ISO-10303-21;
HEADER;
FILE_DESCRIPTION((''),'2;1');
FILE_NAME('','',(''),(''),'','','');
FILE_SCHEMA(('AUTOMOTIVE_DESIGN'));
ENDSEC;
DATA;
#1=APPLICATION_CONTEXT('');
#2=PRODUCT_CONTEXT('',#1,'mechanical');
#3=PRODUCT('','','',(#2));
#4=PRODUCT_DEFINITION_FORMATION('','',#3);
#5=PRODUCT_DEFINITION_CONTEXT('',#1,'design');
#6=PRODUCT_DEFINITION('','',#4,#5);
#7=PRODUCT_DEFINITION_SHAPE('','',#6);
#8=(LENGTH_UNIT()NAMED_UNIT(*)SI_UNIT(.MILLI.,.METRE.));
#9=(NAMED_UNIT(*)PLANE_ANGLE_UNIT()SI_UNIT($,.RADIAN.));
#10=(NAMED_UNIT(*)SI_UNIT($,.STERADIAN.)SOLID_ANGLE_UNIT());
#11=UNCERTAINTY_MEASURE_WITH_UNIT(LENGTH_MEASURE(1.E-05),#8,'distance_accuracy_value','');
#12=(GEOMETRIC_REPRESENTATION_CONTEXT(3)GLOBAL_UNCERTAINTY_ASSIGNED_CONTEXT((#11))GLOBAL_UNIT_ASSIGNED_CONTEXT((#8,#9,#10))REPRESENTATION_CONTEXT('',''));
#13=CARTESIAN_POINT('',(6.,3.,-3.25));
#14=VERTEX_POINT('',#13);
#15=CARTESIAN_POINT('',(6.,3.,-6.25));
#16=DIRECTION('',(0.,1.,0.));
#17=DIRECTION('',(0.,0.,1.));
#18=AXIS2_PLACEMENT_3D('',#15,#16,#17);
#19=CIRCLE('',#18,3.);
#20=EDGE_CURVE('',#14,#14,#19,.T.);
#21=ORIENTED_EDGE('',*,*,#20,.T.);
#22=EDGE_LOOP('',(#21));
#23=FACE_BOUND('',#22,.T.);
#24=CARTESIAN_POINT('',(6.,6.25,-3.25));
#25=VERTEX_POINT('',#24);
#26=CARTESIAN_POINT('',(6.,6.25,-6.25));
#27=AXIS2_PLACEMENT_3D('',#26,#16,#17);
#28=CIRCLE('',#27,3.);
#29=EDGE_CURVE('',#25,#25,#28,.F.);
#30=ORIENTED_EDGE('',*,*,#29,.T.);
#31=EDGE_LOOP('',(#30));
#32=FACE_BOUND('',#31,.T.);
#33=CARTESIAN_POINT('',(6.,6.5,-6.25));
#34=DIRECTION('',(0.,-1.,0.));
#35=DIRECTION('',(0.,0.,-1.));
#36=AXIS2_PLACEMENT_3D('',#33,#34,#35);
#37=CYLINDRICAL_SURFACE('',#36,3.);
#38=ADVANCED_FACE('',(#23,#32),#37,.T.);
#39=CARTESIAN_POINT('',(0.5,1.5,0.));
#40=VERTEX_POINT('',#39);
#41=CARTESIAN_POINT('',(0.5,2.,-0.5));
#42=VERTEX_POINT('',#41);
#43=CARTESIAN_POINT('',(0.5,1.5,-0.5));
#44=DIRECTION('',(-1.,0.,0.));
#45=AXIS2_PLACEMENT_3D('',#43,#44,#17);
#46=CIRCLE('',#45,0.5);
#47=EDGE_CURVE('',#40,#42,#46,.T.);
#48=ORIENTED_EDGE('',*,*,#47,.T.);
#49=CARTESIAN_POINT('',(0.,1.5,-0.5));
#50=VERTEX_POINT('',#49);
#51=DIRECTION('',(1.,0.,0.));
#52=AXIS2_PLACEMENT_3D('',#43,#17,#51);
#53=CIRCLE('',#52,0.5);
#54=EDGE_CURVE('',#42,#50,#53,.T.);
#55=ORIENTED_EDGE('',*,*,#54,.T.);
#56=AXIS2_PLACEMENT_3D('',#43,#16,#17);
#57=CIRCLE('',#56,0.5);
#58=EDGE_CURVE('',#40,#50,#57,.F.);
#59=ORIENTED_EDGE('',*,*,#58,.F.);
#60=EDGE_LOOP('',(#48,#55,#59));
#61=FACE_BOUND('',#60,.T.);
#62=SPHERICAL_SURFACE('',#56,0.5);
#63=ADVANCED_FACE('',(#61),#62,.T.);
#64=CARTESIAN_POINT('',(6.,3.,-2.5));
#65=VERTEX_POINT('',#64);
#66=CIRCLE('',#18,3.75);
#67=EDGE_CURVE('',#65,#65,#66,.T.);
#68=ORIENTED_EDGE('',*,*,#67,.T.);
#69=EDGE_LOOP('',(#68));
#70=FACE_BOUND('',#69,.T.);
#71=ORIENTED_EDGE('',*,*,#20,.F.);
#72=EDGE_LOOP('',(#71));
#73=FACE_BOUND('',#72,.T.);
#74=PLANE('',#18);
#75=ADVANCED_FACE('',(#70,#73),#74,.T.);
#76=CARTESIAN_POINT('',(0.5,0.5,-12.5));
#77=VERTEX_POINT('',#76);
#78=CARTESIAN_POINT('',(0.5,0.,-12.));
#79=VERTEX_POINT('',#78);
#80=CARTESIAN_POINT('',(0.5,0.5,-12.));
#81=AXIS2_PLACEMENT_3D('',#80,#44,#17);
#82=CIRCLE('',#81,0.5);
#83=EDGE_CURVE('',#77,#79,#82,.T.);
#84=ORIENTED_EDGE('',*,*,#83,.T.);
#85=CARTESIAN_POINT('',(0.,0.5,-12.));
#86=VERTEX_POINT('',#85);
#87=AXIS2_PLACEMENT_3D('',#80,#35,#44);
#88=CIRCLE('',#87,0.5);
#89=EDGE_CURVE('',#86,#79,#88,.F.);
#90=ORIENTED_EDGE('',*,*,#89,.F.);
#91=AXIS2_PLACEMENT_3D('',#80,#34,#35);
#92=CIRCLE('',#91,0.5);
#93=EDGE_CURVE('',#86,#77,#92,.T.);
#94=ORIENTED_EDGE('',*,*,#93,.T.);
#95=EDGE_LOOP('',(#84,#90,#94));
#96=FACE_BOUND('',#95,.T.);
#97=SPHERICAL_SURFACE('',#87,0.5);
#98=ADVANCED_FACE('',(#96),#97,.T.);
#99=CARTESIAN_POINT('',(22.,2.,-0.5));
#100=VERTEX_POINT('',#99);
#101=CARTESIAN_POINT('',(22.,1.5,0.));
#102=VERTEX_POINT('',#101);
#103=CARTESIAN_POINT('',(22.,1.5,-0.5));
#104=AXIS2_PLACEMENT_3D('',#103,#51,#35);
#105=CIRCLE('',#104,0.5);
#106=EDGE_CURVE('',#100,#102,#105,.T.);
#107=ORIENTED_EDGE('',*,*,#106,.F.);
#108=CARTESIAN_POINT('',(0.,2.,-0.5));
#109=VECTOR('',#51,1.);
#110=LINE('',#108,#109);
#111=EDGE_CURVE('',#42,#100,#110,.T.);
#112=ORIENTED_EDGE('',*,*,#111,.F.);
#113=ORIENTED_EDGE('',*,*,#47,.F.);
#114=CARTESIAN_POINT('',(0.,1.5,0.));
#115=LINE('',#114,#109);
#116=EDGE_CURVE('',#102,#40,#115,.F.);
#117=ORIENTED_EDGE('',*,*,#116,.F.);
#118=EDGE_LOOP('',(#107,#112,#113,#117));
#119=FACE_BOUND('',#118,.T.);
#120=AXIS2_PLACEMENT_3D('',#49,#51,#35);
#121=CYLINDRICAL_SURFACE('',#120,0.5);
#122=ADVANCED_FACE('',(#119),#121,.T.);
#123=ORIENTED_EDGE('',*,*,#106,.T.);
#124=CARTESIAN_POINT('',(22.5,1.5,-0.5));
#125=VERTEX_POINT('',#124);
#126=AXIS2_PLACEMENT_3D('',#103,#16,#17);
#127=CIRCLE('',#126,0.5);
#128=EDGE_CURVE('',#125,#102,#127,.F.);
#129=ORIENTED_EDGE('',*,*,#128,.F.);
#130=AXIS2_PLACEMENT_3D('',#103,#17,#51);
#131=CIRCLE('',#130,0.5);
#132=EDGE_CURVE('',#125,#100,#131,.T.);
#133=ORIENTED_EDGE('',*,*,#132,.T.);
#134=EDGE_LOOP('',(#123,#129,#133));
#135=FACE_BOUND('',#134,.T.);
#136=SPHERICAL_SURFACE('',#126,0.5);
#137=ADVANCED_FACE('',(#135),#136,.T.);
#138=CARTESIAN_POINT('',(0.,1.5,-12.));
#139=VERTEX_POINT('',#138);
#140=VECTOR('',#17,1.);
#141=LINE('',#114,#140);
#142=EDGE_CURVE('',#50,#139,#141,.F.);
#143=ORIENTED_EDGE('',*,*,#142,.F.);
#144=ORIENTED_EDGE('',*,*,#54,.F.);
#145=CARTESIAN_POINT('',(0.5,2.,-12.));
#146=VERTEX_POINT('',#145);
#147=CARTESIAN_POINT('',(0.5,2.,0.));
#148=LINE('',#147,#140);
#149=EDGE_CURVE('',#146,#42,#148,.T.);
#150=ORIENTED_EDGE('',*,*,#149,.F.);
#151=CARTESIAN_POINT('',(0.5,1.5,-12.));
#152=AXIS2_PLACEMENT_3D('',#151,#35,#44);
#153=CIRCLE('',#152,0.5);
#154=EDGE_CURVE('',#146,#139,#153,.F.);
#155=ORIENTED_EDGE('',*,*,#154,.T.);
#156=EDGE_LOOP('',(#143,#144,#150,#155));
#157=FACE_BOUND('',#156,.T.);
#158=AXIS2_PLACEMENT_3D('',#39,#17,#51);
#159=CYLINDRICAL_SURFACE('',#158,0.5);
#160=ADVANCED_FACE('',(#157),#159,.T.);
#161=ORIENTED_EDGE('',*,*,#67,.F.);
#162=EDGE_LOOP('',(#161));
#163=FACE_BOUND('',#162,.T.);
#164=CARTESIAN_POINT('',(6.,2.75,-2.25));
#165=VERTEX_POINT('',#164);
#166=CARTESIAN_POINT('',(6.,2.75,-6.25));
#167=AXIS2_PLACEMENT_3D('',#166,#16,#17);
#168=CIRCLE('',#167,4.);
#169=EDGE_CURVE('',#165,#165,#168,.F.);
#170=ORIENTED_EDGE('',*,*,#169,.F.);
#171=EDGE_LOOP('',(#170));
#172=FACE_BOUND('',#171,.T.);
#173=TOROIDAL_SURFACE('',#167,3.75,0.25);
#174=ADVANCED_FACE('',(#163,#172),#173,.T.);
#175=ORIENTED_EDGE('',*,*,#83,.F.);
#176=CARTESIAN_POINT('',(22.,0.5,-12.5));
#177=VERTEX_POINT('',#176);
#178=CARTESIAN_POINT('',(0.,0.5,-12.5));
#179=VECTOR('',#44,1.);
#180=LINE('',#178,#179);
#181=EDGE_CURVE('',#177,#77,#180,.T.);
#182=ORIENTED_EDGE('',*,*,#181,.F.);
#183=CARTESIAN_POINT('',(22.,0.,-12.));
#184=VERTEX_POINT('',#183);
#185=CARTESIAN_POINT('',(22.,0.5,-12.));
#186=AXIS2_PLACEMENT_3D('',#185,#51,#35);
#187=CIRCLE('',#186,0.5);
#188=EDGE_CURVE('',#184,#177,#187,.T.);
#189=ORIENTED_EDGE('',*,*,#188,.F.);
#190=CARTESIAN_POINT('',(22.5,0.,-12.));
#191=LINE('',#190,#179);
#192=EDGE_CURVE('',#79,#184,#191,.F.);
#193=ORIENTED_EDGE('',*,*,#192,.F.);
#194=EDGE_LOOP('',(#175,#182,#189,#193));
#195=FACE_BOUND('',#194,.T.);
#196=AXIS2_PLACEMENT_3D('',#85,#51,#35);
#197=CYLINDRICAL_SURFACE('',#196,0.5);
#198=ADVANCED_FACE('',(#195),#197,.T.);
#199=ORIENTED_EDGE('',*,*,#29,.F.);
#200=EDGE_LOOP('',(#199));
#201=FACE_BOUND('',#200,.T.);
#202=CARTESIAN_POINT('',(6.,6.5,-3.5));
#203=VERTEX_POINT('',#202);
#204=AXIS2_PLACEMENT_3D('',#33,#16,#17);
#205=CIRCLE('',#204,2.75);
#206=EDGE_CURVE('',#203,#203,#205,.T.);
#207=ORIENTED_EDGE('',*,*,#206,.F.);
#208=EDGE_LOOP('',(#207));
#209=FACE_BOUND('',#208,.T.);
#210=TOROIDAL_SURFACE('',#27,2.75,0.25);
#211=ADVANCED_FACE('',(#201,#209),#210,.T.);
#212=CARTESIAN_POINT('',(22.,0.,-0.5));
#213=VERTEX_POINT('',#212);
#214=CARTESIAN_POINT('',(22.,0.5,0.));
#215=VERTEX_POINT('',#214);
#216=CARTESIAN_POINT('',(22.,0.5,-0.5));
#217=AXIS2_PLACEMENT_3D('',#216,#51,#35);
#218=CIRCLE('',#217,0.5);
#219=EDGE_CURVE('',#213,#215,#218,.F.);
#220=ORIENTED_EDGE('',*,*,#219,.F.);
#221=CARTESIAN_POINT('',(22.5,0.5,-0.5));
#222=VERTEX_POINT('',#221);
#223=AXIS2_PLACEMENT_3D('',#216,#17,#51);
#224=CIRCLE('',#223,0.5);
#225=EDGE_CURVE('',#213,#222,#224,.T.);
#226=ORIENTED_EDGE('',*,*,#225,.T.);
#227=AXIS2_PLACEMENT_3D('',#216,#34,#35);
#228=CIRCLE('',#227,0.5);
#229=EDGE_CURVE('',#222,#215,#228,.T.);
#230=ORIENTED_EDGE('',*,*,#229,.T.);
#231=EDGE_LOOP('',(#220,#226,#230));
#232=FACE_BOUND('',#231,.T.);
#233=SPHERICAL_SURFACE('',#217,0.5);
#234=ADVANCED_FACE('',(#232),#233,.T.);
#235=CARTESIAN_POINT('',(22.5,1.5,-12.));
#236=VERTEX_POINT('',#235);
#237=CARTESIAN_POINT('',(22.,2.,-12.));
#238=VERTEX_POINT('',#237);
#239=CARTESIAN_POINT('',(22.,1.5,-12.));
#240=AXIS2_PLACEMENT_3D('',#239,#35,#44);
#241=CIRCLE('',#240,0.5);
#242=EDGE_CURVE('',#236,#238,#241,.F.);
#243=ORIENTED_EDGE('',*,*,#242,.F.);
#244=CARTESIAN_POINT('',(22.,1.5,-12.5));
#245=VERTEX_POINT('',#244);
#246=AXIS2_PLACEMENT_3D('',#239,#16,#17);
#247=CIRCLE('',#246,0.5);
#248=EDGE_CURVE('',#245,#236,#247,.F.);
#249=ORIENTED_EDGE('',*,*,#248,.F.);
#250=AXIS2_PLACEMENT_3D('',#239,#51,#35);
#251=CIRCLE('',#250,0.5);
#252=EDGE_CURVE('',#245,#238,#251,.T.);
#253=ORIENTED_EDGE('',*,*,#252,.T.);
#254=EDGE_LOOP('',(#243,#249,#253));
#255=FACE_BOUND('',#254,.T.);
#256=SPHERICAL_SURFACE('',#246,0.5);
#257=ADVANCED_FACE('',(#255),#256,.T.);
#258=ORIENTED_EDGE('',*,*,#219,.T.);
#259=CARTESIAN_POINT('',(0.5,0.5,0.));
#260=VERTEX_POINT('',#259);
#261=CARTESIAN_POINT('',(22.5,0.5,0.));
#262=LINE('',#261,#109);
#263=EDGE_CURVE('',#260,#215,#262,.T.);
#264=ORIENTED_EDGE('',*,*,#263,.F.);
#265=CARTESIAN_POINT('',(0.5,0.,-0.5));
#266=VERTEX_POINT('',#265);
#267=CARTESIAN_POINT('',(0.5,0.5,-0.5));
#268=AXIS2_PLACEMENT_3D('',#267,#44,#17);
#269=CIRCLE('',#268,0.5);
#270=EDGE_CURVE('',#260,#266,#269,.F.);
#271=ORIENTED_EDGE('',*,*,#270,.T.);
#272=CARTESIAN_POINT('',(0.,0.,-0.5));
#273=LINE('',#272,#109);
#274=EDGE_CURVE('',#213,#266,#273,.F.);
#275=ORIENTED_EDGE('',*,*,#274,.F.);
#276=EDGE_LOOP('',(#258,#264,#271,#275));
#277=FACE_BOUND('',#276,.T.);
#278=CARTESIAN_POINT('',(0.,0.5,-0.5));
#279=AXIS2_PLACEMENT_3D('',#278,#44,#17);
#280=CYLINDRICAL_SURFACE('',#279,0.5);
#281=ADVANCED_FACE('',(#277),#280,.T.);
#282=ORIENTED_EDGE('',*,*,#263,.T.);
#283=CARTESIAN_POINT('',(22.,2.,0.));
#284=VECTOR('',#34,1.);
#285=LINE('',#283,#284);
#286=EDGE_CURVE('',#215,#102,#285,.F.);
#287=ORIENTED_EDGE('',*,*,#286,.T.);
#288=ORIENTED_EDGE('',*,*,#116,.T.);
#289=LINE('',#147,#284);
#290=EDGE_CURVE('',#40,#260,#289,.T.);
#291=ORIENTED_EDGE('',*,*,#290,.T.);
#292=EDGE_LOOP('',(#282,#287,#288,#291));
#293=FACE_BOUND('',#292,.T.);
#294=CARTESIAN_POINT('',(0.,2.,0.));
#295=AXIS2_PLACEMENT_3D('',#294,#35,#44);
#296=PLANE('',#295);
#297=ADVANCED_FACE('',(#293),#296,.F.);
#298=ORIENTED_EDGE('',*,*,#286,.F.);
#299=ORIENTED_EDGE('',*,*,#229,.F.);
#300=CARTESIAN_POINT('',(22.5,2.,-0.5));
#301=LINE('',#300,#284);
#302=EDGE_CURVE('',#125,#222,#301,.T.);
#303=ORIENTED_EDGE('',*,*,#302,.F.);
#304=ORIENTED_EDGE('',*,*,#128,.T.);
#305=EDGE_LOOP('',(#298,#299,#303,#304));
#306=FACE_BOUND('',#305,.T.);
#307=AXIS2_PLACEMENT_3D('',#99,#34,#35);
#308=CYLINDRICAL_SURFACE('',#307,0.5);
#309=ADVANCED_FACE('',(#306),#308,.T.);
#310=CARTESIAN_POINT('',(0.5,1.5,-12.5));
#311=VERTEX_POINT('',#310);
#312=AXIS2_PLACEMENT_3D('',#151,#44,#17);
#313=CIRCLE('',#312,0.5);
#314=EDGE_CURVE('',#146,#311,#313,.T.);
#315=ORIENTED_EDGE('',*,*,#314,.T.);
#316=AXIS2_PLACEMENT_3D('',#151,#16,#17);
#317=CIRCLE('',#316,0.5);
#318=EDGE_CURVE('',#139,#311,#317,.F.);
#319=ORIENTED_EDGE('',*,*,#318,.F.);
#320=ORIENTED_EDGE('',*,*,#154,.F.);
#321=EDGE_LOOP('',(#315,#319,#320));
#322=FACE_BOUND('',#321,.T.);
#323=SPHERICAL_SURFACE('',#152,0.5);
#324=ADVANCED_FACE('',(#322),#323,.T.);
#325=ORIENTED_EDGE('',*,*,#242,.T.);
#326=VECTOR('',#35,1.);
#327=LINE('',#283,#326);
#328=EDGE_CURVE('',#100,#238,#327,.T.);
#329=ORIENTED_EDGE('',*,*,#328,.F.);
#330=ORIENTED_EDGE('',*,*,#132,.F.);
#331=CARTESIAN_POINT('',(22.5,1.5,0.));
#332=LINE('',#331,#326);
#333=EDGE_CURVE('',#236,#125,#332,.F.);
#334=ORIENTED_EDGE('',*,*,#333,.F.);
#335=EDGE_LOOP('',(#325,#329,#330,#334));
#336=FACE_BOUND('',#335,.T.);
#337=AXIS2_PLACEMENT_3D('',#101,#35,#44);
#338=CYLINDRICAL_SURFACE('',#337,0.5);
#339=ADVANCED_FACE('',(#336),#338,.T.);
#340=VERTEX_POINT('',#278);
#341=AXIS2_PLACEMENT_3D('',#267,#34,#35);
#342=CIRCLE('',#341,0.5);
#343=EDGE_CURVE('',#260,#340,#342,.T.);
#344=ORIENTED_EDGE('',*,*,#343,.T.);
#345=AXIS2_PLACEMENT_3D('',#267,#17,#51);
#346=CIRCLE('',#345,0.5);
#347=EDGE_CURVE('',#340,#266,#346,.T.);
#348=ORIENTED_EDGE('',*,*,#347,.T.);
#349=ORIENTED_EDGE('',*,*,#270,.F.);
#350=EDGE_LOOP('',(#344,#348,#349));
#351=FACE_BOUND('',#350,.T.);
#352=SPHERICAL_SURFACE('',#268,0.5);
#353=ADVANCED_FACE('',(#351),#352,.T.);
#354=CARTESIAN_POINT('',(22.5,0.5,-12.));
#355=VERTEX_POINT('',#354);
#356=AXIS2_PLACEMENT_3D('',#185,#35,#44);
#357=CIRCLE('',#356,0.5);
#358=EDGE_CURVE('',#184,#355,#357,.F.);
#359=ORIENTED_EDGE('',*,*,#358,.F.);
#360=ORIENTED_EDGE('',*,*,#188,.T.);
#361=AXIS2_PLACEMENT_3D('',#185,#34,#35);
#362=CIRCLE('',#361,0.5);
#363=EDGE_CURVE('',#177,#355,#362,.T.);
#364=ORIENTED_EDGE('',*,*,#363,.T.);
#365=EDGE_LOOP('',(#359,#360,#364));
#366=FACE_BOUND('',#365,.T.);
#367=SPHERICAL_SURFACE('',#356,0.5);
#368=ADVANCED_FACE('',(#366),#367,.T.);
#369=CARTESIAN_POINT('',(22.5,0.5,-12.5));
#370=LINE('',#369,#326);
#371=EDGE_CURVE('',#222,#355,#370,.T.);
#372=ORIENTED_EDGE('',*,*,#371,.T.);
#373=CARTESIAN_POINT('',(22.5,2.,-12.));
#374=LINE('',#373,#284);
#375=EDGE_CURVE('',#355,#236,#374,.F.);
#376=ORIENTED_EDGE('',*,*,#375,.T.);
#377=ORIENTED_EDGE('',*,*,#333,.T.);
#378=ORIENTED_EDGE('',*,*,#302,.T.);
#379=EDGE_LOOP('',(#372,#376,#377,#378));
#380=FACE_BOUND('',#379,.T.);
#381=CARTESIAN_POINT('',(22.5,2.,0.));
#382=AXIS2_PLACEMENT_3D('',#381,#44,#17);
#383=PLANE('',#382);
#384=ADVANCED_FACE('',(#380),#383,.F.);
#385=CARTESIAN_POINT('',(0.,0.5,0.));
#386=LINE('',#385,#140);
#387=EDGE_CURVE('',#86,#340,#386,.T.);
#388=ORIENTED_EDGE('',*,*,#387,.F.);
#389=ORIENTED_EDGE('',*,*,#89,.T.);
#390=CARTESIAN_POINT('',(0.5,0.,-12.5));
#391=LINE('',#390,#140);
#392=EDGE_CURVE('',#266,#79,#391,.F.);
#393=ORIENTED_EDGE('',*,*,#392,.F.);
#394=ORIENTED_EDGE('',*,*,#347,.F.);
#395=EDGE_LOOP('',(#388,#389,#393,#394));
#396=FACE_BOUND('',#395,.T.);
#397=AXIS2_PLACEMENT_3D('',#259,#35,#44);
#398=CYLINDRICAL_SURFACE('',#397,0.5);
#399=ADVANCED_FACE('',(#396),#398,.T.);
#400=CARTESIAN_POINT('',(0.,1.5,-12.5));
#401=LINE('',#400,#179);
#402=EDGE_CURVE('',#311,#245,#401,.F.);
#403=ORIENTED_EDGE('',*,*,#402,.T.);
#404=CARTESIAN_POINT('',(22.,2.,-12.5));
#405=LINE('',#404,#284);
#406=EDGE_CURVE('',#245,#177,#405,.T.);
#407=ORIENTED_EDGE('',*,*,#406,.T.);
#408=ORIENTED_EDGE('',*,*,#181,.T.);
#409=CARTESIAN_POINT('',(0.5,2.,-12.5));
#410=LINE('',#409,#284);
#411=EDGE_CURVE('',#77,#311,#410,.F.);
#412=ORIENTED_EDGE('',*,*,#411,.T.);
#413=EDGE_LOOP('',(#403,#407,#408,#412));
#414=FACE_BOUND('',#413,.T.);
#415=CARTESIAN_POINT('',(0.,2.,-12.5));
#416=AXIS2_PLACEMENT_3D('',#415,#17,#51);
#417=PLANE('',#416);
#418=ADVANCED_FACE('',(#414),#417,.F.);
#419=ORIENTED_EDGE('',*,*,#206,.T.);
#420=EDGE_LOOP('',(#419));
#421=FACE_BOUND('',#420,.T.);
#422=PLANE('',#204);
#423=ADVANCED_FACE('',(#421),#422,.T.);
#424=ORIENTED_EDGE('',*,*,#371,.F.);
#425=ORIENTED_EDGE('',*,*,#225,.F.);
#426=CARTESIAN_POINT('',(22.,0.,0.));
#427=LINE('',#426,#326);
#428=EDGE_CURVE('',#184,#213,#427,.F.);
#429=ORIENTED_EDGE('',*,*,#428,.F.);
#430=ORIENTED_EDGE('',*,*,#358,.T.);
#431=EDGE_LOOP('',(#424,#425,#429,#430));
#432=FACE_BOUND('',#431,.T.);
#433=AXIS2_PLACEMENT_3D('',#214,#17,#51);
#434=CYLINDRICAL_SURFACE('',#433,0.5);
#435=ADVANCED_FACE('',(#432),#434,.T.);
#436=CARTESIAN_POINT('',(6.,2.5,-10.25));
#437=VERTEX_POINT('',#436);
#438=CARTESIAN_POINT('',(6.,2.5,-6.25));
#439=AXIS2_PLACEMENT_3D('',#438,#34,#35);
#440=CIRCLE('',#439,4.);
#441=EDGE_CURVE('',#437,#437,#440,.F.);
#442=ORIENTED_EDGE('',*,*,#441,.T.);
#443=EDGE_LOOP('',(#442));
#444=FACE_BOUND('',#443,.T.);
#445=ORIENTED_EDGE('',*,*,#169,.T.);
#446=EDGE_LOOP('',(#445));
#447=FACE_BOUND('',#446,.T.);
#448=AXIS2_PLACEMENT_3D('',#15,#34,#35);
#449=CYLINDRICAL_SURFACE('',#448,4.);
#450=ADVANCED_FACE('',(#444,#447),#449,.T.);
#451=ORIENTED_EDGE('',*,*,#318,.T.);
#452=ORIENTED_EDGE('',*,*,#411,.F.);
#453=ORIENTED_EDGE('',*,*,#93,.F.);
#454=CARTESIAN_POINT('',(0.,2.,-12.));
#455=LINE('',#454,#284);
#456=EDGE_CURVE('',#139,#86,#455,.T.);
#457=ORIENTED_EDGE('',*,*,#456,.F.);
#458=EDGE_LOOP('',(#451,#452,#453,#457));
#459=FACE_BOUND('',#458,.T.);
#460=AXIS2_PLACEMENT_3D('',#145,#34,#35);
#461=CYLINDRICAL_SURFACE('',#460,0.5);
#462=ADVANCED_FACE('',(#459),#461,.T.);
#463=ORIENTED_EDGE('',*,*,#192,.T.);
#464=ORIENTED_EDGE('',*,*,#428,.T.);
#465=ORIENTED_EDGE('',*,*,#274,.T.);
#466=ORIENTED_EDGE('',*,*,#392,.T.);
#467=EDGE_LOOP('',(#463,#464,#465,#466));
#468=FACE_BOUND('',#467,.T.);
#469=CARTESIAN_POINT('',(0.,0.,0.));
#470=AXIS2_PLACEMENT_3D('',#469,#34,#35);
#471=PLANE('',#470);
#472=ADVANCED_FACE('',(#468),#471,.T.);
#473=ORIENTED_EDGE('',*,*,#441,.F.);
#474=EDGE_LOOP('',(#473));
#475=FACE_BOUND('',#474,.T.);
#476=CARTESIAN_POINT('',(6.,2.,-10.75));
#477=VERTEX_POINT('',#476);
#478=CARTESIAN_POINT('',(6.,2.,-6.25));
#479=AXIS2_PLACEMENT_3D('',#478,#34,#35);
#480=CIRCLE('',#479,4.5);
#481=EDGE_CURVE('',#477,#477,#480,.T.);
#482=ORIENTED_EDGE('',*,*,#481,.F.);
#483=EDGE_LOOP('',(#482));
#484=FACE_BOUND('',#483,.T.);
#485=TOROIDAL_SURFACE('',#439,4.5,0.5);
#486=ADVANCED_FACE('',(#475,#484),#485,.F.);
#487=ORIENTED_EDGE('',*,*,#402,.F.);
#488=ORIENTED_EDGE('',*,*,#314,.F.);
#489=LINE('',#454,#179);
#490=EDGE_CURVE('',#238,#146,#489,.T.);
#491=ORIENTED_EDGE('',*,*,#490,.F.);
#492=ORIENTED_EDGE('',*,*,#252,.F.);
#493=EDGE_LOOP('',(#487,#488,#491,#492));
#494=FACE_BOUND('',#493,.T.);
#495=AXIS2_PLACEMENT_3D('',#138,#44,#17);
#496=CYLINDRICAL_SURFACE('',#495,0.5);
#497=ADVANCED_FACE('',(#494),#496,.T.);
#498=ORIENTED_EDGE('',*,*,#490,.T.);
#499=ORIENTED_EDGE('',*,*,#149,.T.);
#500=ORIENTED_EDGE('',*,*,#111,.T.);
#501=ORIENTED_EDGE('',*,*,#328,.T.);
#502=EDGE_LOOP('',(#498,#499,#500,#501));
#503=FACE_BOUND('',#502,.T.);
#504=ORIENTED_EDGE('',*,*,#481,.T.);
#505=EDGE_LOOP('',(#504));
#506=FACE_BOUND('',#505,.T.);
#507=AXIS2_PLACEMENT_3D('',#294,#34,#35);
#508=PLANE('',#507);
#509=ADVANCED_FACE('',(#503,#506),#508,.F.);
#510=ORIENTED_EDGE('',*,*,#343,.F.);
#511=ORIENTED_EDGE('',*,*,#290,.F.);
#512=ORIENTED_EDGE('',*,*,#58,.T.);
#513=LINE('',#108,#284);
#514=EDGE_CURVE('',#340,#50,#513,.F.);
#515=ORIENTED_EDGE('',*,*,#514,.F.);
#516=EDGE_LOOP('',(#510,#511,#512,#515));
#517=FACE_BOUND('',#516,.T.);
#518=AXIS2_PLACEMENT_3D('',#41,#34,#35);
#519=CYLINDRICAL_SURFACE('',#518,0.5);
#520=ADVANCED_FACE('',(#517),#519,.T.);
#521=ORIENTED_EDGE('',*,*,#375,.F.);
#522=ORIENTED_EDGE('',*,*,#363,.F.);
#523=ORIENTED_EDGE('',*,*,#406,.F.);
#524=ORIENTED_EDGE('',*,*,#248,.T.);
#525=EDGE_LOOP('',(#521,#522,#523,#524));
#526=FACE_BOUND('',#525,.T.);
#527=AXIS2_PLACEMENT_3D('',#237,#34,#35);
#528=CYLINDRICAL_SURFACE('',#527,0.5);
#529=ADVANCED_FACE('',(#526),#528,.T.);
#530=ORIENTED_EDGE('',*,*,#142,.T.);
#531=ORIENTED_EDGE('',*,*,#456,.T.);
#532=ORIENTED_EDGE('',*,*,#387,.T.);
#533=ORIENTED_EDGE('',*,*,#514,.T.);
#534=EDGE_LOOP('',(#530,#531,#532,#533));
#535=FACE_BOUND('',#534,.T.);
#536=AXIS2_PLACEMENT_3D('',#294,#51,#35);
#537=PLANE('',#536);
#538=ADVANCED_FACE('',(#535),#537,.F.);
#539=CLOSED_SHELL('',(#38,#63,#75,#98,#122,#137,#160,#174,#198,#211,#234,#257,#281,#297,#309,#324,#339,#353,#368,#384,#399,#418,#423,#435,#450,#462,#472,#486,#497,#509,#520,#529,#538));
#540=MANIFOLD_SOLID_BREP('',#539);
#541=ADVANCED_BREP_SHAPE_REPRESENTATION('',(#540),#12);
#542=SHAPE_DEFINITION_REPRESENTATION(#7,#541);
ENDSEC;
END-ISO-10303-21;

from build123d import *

# Parameters (mm, degrees)
SKETCH_1_W      = 22.5
SKETCH_1_H      = 12.5
EXTRUDE_1_DEPTH = 2
SKETCH_2_R      = 4
EXTRUDE_2_DEPTH = 1
SKETCH_3_R      = 3
EXTRUDE_3_DEPTH = 3.5
FILLET_1_R      = 0.5
FILLET_2_R      = 0.25


with BuildPart() as part:
    # 草图1 → 凸台-拉伸1 (new body)
    with BuildSketch(Plane(origin=(0, 0, 0), x_dir=(1, 0, 0), z_dir=(0, 1, 0))):
        with Locations((11.25, 6.25)):
            Rectangle(SKETCH_1_W, SKETCH_1_H)
    extrude(amount=EXTRUDE_1_DEPTH)

    # 草图2 → 凸台-拉伸2 (add)
    with BuildSketch(Plane(origin=(0, 2, 0), x_dir=(1, 0, 0), z_dir=(0, 1, 0))):
        with Locations(Location((6, 6.25, 0), (0, 0, 90))):
            Circle(SKETCH_2_R)
    extrude(amount=EXTRUDE_2_DEPTH)

    # 草图3 → 凸台-拉伸3 (add)
    with BuildSketch(Plane(origin=(0, 3, 0), x_dir=(1, 0, 0), z_dir=(0, 1, 0))):
        with Locations(Location((6, 6.25, 0), (0, 0, 270))):
            Circle(SKETCH_3_R)
    extrude(amount=EXTRUDE_3_DEPTH)

    # 圆角1
    fillet_1_edges = [part.edges().sort_by_distance(p)[0] for p in [
        (22.5, 2, -6.25),
        (6, 2, -2.25),
        (11.25, 2, -12.5),
        (0, 2, -6.25),
        (11.25, 0, -12.5),
        (22.5, 0, -6.25),
        (11.25, 0, 0),
        (0, 0, -6.25),
        (0, 1, -12.5),
        (22.5, 1, -12.5),
        (22.5, 1, 0),
        (0, 1, 0),
        (11.25, 2, 0),
    ]]
    fillet(fillet_1_edges, radius=FILLET_1_R)

    # 圆角2
    fillet_2_edges = [part.edges().sort_by_distance(p)[0] for p in [
        (6, 3, -2.25),
        (6, 6.5, -9.25),
    ]]
    fillet(fillet_2_edges, radius=FILLET_2_R)


solid = part.part
